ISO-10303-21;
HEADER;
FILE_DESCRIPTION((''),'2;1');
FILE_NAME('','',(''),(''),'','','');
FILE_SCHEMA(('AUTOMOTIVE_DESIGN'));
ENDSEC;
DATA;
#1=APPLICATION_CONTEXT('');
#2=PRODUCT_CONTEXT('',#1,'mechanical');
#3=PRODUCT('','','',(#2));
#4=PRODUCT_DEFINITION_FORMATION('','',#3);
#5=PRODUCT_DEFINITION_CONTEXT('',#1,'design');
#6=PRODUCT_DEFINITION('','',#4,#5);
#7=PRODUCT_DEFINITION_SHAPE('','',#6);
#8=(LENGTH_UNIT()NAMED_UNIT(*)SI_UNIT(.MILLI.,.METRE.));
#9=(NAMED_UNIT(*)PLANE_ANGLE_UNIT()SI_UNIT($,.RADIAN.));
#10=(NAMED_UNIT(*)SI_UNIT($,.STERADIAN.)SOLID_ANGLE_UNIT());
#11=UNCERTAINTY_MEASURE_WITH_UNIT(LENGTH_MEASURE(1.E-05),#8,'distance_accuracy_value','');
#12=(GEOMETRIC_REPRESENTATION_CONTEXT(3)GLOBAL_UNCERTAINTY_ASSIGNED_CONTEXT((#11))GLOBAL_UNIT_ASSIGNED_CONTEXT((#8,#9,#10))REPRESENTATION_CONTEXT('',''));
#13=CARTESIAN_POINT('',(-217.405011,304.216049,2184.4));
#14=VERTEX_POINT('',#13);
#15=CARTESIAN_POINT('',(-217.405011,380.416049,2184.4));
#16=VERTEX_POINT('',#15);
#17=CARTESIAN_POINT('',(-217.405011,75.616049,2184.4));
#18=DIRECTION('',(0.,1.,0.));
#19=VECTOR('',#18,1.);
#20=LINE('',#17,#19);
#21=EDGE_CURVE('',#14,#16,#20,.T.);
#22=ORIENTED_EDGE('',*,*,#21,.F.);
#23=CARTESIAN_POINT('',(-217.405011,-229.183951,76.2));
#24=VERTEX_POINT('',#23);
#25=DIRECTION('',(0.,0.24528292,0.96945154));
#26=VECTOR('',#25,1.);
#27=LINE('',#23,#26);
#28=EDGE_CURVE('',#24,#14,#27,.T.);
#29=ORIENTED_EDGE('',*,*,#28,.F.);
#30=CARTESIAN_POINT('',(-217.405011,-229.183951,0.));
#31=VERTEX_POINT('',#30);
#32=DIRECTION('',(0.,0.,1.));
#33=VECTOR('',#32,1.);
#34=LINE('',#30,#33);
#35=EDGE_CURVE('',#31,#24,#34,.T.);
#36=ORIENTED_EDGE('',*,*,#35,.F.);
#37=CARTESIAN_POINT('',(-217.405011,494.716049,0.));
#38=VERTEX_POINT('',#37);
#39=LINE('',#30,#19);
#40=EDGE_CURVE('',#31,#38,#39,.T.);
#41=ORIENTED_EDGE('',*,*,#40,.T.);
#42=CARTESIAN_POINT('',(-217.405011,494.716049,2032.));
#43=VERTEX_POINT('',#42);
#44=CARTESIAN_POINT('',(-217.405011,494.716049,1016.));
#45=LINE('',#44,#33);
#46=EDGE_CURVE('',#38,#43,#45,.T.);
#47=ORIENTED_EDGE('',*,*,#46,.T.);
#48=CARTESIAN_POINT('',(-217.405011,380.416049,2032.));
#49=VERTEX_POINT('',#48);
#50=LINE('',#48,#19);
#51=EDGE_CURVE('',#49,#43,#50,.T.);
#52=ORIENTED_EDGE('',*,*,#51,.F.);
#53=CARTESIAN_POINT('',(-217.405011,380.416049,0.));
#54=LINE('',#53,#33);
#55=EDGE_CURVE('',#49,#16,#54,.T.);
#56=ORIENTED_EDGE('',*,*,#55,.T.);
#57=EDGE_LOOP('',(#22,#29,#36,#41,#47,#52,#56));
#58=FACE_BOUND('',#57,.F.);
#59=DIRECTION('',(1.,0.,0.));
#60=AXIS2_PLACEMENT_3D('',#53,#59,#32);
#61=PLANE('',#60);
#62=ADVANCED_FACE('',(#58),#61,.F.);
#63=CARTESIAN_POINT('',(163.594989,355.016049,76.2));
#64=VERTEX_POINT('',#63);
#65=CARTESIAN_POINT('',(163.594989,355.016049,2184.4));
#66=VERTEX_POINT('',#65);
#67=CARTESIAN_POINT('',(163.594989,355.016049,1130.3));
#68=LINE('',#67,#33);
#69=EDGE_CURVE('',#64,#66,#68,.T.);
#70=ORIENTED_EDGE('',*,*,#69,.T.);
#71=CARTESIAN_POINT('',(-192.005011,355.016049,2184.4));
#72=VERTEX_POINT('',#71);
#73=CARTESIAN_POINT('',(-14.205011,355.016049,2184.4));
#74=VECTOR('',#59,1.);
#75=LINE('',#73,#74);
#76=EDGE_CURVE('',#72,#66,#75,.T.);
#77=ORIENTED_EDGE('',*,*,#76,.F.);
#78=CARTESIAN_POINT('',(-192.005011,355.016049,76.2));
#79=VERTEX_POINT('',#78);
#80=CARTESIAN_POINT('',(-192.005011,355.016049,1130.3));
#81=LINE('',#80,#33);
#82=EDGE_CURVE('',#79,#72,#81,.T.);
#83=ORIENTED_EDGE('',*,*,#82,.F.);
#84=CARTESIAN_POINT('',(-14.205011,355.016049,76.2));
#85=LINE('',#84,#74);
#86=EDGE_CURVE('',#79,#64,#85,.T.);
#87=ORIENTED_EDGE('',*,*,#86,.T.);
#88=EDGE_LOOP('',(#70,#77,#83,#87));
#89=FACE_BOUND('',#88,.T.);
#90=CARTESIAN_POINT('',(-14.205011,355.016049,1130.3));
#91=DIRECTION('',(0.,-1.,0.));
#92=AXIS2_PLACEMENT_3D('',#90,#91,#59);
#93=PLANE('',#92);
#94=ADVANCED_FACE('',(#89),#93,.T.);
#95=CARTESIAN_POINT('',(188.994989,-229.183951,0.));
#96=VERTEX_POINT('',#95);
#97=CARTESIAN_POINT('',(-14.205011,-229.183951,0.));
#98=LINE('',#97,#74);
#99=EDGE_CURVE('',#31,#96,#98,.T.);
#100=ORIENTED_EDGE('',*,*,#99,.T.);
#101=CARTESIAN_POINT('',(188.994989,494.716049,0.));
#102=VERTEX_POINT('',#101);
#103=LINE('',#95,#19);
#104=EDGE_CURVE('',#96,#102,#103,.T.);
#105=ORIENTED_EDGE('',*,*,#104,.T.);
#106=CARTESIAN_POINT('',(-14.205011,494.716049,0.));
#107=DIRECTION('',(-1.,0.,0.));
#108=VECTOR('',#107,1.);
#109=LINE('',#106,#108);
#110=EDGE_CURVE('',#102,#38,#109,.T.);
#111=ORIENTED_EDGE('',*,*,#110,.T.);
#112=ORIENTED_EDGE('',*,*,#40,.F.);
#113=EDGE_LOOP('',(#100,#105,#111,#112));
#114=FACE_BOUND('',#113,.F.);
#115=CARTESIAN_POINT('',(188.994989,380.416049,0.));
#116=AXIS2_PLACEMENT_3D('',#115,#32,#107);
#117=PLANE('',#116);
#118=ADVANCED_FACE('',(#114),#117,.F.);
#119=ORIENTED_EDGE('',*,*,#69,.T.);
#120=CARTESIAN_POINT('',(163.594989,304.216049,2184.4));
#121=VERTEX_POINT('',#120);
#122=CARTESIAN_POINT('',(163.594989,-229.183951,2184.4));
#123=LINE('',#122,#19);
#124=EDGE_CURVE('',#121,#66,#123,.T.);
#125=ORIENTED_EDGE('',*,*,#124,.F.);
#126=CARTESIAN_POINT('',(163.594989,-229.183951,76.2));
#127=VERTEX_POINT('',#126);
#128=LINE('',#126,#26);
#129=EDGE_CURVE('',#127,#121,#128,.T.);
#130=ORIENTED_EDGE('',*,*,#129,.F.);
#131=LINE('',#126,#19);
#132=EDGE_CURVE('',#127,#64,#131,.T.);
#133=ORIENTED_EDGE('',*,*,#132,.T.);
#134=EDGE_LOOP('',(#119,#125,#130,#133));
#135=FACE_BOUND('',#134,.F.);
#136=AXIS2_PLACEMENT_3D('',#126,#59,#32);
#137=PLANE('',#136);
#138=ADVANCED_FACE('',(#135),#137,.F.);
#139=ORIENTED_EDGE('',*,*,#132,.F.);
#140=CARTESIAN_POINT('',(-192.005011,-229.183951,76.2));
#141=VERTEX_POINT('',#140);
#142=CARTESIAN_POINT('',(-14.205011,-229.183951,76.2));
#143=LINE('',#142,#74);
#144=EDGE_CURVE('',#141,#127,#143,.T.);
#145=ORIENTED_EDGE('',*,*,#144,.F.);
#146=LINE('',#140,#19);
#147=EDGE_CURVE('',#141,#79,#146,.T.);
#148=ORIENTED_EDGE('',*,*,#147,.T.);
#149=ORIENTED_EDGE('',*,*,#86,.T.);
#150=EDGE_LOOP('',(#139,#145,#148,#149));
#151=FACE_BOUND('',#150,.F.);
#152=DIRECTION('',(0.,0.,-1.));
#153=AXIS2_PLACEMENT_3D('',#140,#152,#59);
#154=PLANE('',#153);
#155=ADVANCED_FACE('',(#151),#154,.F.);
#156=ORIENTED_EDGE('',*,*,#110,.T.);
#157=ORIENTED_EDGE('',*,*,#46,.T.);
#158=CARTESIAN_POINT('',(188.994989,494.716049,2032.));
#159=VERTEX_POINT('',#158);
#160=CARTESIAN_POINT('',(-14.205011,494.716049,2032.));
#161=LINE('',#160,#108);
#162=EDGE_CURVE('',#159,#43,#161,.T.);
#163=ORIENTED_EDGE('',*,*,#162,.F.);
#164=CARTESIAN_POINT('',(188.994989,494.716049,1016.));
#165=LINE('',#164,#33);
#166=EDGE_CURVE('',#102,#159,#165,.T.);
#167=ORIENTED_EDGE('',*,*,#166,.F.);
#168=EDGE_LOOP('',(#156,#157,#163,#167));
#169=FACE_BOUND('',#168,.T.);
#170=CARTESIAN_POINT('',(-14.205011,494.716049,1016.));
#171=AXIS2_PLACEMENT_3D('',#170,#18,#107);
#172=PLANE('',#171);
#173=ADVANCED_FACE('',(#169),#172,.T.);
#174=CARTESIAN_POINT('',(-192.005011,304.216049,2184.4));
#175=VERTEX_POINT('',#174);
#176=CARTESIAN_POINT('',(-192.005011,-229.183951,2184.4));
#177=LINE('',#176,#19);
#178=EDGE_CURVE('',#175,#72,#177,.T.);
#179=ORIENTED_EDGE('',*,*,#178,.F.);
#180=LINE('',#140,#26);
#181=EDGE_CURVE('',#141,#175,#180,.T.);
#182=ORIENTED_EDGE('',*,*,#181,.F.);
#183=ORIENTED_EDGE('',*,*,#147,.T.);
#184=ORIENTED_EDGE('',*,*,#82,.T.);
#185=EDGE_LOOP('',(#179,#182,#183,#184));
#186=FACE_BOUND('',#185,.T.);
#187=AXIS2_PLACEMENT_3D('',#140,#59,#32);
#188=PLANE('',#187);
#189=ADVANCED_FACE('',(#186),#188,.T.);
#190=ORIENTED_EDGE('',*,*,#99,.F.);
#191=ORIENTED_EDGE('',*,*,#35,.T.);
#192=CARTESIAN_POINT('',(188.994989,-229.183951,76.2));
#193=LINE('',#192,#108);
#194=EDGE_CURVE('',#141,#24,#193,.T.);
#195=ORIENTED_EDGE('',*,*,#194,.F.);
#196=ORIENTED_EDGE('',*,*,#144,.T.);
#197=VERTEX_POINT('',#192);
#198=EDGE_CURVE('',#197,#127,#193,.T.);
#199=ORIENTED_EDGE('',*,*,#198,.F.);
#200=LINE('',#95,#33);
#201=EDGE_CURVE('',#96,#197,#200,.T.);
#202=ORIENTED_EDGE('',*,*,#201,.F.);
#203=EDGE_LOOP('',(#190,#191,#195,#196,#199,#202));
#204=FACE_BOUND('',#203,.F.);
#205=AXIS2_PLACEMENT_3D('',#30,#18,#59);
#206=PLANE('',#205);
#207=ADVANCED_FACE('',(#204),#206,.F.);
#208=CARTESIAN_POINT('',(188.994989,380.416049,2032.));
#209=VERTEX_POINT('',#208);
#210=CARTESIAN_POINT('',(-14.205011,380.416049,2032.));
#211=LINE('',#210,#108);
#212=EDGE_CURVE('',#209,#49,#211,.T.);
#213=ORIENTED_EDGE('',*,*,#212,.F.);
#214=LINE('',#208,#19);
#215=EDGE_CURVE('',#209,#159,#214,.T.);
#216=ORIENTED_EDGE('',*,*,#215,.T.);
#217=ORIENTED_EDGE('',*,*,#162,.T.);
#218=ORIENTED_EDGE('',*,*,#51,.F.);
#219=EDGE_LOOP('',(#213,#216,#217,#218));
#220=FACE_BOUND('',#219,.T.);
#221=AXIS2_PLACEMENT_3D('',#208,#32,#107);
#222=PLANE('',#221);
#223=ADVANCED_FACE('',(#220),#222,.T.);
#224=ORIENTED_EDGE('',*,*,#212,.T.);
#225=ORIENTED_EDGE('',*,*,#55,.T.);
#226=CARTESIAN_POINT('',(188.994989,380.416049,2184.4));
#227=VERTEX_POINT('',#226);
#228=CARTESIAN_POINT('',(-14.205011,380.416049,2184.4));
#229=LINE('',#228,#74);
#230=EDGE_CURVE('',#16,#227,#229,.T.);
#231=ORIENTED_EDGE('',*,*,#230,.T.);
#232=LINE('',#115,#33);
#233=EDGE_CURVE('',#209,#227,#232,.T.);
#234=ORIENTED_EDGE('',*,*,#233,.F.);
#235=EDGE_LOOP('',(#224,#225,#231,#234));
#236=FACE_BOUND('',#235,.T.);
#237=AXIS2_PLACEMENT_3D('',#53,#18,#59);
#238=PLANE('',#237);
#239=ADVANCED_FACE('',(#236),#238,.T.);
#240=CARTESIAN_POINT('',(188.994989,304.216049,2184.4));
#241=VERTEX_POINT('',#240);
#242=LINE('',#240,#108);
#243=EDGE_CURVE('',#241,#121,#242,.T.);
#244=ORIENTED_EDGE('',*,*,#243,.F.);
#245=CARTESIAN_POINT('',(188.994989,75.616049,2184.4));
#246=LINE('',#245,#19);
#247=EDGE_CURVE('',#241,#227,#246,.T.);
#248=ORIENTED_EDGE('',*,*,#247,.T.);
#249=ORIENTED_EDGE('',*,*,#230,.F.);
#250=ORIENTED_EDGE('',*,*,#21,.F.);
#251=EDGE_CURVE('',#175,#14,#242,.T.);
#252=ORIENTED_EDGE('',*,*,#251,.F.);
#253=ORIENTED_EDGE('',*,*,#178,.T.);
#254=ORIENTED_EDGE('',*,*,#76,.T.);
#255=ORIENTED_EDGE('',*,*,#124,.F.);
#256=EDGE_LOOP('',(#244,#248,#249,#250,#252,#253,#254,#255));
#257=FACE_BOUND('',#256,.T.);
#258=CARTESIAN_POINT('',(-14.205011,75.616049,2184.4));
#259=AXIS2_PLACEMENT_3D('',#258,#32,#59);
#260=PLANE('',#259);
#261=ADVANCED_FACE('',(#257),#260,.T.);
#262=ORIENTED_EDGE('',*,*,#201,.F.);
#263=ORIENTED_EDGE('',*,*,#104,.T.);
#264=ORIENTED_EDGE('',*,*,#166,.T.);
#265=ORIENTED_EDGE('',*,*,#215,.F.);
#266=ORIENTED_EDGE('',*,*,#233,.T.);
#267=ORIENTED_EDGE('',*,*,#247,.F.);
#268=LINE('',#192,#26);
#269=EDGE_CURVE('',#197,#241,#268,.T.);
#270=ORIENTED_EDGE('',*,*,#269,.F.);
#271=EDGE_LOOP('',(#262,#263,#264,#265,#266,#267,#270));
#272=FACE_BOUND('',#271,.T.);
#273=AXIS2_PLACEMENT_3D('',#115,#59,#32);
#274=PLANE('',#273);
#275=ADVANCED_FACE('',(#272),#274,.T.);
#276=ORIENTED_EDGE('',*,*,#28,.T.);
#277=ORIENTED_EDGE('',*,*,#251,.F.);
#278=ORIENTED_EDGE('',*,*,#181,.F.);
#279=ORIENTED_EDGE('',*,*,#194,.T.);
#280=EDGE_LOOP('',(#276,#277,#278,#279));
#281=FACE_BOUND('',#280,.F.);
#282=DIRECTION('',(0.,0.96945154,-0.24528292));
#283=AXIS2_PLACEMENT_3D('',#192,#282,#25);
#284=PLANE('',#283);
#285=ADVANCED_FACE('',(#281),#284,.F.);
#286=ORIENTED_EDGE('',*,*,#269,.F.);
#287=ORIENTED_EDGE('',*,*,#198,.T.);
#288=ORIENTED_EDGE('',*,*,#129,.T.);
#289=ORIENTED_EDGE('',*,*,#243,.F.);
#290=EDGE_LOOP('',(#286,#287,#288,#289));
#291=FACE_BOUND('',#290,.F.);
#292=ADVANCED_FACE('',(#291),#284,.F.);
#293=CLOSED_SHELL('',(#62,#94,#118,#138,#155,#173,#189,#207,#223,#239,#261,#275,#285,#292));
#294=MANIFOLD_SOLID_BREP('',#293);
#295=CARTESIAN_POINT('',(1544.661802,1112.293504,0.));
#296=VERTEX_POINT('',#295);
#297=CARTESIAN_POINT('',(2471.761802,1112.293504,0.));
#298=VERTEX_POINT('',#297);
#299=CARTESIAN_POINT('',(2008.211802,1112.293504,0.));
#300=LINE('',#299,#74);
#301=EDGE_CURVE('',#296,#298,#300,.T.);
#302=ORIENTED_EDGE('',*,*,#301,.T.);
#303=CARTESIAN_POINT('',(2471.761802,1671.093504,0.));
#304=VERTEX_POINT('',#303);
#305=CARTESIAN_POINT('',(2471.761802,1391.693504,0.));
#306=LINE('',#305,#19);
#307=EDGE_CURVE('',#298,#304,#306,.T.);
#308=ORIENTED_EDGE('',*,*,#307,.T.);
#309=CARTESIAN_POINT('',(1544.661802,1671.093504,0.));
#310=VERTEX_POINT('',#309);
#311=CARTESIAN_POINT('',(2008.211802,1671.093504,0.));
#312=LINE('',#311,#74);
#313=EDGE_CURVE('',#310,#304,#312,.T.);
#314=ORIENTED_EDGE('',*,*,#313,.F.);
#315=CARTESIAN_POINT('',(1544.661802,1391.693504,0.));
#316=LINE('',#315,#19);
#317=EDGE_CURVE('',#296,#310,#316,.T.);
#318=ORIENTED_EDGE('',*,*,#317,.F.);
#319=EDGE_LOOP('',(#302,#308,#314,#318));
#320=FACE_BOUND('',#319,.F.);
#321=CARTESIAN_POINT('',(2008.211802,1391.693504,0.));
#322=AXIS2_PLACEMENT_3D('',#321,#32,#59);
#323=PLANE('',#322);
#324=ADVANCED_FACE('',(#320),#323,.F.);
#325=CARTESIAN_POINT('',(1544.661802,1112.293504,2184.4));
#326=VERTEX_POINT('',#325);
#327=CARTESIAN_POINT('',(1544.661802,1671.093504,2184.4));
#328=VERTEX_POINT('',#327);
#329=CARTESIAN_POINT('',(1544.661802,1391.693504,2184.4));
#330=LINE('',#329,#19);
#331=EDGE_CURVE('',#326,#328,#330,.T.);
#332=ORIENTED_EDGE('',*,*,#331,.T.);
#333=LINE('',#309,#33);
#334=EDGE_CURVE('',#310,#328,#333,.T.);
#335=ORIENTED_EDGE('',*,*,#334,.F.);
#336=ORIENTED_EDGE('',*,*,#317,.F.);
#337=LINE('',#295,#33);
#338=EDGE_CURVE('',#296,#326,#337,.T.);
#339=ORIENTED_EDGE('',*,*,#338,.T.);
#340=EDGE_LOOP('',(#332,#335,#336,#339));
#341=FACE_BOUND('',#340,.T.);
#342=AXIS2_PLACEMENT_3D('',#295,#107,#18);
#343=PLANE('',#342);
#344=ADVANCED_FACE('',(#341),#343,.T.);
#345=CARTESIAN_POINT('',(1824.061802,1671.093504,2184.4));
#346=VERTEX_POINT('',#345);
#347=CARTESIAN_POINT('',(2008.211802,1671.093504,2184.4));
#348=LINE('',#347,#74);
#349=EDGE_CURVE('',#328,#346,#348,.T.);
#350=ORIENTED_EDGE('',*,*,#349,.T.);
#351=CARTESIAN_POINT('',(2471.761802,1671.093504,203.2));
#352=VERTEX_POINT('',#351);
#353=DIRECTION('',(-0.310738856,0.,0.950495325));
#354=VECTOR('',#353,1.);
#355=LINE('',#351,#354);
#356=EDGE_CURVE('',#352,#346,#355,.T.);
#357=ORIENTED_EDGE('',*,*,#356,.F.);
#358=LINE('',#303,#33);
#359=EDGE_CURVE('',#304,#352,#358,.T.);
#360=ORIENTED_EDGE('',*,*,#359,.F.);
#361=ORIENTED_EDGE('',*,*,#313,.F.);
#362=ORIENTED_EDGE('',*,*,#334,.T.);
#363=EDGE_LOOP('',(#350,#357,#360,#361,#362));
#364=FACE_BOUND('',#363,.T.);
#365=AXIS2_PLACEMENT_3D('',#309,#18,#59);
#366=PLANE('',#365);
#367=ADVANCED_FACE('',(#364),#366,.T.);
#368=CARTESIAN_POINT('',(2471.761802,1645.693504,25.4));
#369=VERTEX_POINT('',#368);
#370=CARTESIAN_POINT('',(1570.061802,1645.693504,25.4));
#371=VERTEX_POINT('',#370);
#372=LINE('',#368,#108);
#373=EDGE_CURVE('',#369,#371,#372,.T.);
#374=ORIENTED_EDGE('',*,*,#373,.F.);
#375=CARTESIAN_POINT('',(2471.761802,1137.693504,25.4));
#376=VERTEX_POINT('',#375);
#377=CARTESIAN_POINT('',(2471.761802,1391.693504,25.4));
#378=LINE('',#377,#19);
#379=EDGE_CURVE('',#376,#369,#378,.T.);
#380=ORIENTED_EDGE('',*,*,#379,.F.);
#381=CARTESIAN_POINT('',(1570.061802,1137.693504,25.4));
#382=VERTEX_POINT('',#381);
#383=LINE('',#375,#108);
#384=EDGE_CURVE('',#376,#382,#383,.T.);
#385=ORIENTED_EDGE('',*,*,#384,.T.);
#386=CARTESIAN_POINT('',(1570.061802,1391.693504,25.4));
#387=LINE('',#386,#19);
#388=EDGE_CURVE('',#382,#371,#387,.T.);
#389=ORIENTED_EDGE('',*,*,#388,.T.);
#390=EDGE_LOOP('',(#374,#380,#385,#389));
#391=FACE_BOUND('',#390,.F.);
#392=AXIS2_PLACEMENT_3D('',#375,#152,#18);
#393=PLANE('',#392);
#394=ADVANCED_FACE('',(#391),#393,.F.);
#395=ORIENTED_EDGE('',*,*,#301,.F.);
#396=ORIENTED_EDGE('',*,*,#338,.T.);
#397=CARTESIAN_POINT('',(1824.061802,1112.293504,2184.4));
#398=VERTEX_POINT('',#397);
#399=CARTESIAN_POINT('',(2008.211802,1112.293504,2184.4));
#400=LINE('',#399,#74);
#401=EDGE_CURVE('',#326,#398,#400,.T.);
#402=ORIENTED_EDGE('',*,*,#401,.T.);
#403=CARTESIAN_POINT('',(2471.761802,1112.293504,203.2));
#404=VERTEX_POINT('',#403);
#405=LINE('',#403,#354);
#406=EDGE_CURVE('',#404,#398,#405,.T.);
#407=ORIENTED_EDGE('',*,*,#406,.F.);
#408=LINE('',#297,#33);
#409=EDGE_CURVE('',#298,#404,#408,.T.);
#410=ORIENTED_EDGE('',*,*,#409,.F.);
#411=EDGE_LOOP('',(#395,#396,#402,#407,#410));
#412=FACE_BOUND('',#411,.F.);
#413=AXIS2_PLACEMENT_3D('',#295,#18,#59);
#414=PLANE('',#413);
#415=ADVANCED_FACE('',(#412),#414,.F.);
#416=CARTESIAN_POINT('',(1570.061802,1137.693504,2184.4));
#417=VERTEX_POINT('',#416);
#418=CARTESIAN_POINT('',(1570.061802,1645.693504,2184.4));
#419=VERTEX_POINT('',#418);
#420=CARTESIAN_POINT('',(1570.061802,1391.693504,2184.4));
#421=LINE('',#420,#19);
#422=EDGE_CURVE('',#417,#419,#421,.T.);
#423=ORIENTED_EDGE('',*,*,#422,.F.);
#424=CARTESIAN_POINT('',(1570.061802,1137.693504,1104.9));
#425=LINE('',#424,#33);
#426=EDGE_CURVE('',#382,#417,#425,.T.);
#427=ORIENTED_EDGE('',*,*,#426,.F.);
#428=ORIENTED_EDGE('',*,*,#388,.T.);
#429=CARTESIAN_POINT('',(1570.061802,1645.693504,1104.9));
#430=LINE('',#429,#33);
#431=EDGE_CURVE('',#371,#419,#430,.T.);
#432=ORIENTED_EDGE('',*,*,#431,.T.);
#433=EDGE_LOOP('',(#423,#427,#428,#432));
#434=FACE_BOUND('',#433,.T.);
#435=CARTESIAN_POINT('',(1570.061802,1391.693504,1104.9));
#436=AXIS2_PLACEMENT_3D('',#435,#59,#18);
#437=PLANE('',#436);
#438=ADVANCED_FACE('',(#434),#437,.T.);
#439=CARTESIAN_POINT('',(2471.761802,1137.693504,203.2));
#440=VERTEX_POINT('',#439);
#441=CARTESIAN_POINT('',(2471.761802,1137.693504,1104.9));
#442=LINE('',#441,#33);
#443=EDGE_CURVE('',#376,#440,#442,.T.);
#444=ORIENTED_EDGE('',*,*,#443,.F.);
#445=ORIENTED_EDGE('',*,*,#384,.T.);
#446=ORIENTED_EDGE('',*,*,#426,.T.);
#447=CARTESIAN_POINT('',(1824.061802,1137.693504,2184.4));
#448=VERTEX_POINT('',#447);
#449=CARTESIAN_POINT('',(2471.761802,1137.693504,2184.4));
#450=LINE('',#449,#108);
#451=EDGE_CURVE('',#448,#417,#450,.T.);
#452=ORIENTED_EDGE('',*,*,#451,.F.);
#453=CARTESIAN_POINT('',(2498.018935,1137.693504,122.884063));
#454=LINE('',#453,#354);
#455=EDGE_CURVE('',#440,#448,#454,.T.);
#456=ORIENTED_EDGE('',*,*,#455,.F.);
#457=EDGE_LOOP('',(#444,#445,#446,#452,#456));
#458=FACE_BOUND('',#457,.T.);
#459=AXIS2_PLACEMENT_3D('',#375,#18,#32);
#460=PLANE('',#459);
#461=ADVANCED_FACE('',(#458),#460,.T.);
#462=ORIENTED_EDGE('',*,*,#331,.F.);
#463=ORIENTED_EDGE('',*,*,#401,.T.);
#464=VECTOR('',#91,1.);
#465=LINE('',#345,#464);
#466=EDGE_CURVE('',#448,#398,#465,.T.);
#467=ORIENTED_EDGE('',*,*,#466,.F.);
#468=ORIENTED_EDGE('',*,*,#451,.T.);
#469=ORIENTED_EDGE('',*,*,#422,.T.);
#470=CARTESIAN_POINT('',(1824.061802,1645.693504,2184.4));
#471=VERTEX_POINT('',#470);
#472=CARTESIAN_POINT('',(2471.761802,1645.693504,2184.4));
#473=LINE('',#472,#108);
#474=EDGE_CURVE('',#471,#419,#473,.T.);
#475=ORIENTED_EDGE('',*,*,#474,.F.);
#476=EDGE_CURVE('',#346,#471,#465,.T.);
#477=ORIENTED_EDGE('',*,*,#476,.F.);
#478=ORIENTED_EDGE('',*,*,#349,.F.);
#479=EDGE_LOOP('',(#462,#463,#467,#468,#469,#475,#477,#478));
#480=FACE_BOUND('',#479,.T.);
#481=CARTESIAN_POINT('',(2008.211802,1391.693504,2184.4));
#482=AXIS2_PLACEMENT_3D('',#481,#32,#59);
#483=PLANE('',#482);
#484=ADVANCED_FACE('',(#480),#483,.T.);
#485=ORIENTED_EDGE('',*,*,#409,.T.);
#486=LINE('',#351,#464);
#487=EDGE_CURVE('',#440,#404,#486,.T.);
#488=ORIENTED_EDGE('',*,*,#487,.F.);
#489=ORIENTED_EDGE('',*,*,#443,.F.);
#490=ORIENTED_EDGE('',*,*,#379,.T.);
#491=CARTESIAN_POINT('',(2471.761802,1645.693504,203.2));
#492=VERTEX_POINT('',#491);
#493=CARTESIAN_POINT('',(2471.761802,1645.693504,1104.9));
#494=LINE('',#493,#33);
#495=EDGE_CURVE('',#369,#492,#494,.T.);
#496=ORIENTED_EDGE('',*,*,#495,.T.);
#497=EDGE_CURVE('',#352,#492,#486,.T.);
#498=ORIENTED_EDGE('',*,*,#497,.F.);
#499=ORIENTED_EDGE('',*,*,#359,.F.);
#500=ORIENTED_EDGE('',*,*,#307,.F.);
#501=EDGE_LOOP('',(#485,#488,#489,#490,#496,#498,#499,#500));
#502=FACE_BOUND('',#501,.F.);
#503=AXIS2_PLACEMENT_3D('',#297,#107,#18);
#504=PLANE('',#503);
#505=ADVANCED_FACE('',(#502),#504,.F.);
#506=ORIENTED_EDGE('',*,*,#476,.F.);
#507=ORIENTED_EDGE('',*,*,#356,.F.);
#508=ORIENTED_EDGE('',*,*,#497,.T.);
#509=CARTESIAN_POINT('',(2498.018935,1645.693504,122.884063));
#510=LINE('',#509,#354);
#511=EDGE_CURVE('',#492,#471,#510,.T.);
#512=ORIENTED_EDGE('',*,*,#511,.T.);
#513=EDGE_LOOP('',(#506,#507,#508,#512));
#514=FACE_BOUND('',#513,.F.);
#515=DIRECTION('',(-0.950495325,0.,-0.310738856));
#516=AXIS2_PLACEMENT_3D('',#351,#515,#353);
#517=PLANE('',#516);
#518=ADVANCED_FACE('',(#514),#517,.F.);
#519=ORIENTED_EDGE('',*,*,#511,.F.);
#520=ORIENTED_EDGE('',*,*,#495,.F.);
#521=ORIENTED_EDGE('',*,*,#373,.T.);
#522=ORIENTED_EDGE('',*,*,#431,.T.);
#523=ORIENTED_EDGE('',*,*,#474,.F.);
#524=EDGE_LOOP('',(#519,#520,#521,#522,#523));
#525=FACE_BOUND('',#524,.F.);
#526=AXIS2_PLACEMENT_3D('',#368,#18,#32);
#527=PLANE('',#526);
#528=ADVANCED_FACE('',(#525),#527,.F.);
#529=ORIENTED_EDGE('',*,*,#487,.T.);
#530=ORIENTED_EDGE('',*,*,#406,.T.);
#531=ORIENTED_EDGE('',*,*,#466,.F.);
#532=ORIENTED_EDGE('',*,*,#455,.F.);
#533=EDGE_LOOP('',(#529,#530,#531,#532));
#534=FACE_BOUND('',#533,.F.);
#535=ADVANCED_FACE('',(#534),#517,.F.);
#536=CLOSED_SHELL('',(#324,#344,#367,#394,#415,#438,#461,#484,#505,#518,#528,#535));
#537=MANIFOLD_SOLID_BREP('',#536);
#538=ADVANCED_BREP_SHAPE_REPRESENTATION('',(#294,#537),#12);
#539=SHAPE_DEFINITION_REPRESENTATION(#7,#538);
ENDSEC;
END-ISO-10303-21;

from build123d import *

# Parameters (mm, degrees)
F0_W      = 406.4
F0_H      = 609.6
F1_DEPTH  = 2184.4
F3_W      = 355.6
F3_H      = 2108.2
F4_DEPTH  = 584.2
F5_DEPTH  = 406.4
F6_W      = 406.4
F6_H      = 2032
F7_DEPTH  = 114.3
F8_W      = 927.1
F8_H      = 558.8
F9_DEPTH  = 2184.4
F10_W     = 508
F10_H     = 2159
F11_DEPTH = 901.7
F13_DEPTH = 558.8


with BuildPart() as f1:
    # F0 (on Top) → F1 (new body)
    with BuildSketch(Plane.XY):
        with Locations((-14.205011, 75.616049)):
            Rectangle(F0_W, F0_H)
    extrude(amount=F1_DEPTH)

    # F3 (on face) → F4 (cut)
    with BuildSketch(Plane.XZ.offset(229.183951)):
        with Locations((-14.205011, 1130.3)):
            Rectangle(F3_W, F3_H)
    extrude(amount=-F4_DEPTH, mode=Mode.SUBTRACT)

    # F2 (on face) → F5 (cut)
    with BuildSketch(Plane.YZ.offset(188.994989)):
        Polygon((-229.183951, 2184.4), (-229.183951, 76.2), (304.216049, 2184.4), align=None)
    extrude(amount=-F5_DEPTH, mode=Mode.SUBTRACT)

    # F6 (on face) → F7 (join)
    with BuildSketch(Plane(origin=(0, 380.416049, 0), x_dir=(-1, 0, 0), z_dir=(0, 1, 0))):
        with Locations((14.205011, 1016)):
            Rectangle(F6_W, F6_H)
    extrude(amount=F7_DEPTH)


with BuildPart() as f9:
    # F8 (on Top) → F9 (new body)
    with BuildSketch(Plane.XY):
        with Locations((2008.211802, 1391.693504)):
            Rectangle(F8_W, F8_H)
    extrude(amount=F9_DEPTH)

    # F10 (on face) → F11 (cut)
    with BuildSketch(Plane.YZ.offset(2471.761802)):
        with Locations((1391.693504, 1104.9)):
            Rectangle(F10_W, F10_H)
    extrude(amount=-F11_DEPTH, mode=Mode.SUBTRACT)

    # F12 (on face) → F13 (cut)
    with BuildSketch(Plane(origin=(0, 1671.093504, 0), x_dir=(-1, 0, 0), z_dir=(0, 1, 0))):
        Polygon((-2471.761802, 2184.4), (-2471.761802, 203.2), (-1824.061802, 2184.4), align=None)
    extrude(amount=-F13_DEPTH, mode=Mode.SUBTRACT)


solid = Compound([f1.part, f9.part])
